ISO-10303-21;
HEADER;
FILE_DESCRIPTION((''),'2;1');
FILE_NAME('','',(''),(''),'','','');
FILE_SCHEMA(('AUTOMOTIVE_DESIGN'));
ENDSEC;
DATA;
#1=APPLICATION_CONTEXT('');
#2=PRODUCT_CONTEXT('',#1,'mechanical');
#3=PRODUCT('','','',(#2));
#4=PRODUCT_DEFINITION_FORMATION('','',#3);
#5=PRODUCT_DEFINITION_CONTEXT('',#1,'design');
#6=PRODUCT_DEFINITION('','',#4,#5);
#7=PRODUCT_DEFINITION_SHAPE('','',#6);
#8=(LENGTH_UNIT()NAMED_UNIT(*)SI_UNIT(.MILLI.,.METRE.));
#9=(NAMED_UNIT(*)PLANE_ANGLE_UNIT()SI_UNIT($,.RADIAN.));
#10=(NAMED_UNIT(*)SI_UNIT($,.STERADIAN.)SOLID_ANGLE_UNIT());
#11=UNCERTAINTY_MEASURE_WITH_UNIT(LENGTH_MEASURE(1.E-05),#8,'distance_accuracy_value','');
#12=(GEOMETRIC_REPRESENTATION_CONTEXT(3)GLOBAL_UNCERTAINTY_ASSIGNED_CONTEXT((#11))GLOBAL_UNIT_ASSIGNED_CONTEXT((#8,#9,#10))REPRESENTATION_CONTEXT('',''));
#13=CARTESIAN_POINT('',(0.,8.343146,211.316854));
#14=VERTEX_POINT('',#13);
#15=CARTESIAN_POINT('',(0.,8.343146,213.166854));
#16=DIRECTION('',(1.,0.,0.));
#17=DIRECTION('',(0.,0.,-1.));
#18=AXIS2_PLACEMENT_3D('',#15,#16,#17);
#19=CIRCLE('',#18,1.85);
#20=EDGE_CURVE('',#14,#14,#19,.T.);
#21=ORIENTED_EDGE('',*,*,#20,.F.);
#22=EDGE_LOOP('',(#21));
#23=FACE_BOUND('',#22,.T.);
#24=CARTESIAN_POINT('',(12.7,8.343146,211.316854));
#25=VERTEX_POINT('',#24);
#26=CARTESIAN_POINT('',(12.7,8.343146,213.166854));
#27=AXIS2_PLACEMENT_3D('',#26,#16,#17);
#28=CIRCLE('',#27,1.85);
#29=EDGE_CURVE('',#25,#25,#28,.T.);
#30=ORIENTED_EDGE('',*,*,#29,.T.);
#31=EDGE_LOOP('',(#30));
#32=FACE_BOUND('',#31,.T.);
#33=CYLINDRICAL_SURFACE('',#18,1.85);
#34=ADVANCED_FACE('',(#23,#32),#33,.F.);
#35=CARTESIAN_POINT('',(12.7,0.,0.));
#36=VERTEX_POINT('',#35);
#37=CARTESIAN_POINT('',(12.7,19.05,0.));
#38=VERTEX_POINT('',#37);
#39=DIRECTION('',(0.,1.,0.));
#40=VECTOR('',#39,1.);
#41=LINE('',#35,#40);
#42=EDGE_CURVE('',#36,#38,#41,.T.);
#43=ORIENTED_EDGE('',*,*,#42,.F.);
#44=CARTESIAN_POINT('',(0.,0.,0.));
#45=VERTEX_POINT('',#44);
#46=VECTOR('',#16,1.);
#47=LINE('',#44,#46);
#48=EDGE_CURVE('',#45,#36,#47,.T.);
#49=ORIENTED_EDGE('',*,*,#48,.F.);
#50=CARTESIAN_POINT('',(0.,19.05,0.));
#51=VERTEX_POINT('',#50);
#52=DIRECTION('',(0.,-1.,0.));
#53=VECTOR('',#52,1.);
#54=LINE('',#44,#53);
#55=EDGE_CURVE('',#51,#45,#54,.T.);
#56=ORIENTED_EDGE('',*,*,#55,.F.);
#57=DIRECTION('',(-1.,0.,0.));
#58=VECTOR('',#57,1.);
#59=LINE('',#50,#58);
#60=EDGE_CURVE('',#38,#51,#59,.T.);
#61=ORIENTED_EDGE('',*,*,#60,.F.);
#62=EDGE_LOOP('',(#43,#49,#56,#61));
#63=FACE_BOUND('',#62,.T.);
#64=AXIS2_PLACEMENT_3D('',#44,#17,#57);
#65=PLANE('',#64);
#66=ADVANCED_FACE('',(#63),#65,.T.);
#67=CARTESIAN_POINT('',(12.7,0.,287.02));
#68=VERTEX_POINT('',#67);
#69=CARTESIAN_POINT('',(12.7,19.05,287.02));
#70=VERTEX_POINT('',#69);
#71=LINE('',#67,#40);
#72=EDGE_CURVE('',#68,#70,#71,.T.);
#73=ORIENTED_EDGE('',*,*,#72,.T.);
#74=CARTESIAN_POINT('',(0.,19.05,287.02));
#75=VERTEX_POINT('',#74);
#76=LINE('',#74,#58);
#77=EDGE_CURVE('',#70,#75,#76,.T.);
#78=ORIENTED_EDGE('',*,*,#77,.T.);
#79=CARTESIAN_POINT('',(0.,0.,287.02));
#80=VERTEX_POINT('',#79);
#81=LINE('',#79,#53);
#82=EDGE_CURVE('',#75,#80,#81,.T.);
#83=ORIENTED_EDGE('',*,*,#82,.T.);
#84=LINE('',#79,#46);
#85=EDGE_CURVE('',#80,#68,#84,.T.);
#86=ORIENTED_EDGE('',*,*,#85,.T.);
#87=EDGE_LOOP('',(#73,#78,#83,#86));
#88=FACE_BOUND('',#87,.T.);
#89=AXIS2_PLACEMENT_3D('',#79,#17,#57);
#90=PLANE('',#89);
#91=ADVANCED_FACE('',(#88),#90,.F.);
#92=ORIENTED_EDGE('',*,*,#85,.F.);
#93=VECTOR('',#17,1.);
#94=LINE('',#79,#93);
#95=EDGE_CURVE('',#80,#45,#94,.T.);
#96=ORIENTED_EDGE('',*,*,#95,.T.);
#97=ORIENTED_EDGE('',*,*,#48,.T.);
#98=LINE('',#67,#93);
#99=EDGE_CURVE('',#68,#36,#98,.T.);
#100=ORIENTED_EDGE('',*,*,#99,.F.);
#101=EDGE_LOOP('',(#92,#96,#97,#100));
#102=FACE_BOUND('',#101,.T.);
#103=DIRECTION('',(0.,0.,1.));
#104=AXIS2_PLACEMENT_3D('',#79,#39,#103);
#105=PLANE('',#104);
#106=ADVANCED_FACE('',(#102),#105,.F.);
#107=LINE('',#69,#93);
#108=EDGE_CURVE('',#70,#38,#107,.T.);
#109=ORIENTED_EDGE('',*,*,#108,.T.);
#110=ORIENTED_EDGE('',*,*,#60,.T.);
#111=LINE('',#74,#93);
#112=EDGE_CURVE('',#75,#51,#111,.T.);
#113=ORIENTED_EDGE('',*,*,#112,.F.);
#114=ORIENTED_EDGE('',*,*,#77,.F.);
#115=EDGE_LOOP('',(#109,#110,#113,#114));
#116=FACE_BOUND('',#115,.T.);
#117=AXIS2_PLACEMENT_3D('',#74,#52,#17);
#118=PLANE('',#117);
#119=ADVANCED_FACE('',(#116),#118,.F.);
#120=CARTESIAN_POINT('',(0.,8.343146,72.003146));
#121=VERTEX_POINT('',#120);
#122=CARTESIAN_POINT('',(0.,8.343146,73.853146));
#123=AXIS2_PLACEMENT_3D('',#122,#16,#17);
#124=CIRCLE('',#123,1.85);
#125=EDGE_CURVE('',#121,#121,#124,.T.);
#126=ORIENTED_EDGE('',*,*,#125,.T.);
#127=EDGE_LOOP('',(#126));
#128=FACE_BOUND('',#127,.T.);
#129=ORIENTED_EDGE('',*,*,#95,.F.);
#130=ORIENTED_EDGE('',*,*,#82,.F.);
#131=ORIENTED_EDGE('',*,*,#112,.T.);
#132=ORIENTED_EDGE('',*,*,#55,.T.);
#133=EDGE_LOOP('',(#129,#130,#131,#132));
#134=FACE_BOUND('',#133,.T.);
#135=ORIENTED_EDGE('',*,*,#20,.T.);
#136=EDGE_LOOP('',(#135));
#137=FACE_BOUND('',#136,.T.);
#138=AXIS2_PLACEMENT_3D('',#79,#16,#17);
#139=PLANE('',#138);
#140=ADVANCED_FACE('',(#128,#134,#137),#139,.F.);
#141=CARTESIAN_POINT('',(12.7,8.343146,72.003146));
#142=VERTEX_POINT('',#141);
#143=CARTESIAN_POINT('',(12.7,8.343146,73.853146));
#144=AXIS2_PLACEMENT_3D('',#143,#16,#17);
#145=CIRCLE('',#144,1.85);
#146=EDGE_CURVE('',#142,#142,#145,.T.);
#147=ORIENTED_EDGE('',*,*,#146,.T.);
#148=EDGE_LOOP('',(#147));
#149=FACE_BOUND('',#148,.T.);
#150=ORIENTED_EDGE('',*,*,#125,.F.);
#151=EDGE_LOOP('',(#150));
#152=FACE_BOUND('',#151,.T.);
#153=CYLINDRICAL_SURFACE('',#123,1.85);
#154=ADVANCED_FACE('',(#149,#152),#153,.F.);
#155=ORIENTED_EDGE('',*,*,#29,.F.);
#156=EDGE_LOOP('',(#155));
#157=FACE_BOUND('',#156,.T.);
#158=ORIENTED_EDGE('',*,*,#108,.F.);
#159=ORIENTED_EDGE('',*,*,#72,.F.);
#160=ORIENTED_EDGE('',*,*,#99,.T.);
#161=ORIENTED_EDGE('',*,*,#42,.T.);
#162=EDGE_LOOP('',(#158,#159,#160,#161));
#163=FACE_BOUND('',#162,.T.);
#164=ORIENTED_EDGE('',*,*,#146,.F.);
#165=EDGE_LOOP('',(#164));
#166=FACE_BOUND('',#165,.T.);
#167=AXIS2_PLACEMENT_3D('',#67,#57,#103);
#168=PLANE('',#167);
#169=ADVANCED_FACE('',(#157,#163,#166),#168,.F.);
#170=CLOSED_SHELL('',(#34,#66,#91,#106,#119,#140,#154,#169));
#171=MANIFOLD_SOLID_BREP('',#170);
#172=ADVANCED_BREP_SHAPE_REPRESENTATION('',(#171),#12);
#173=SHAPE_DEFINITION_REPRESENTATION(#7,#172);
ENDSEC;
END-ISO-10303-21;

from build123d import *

# Parameters (mm, degrees)
SKETCH1_W           = 12.7
SKETCH1_H           = 19.05
BOSS_EXTRUDE1_DEPTH = 287.02
SKETCH2_R           = 1.85
CUT_EXTRUDE1_DEPTH  = 13.7


with BuildPart() as part:
    # Sketch1 → Boss-Extrude1 (new body)
    with BuildSketch(Plane.XY):
        with Locations((6.35, 9.525)):
            Rectangle(SKETCH1_W, SKETCH1_H)
    extrude(amount=BOSS_EXTRUDE1_DEPTH)

    # Sketch2 → Cut-Extrude1 (cut, through all)
    with BuildSketch(Plane(origin=(12.7, 0, 0), x_dir=(0, 0, -1), z_dir=(1, 0, 0))):
        with Locations((-73.853145751, 8.343145751)):
            Circle(SKETCH2_R)
        with Locations((-213.166854249, 8.343145751)):
            Circle(SKETCH2_R)
    extrude(amount=-CUT_EXTRUDE1_DEPTH, mode=Mode.SUBTRACT)


solid = part.part
